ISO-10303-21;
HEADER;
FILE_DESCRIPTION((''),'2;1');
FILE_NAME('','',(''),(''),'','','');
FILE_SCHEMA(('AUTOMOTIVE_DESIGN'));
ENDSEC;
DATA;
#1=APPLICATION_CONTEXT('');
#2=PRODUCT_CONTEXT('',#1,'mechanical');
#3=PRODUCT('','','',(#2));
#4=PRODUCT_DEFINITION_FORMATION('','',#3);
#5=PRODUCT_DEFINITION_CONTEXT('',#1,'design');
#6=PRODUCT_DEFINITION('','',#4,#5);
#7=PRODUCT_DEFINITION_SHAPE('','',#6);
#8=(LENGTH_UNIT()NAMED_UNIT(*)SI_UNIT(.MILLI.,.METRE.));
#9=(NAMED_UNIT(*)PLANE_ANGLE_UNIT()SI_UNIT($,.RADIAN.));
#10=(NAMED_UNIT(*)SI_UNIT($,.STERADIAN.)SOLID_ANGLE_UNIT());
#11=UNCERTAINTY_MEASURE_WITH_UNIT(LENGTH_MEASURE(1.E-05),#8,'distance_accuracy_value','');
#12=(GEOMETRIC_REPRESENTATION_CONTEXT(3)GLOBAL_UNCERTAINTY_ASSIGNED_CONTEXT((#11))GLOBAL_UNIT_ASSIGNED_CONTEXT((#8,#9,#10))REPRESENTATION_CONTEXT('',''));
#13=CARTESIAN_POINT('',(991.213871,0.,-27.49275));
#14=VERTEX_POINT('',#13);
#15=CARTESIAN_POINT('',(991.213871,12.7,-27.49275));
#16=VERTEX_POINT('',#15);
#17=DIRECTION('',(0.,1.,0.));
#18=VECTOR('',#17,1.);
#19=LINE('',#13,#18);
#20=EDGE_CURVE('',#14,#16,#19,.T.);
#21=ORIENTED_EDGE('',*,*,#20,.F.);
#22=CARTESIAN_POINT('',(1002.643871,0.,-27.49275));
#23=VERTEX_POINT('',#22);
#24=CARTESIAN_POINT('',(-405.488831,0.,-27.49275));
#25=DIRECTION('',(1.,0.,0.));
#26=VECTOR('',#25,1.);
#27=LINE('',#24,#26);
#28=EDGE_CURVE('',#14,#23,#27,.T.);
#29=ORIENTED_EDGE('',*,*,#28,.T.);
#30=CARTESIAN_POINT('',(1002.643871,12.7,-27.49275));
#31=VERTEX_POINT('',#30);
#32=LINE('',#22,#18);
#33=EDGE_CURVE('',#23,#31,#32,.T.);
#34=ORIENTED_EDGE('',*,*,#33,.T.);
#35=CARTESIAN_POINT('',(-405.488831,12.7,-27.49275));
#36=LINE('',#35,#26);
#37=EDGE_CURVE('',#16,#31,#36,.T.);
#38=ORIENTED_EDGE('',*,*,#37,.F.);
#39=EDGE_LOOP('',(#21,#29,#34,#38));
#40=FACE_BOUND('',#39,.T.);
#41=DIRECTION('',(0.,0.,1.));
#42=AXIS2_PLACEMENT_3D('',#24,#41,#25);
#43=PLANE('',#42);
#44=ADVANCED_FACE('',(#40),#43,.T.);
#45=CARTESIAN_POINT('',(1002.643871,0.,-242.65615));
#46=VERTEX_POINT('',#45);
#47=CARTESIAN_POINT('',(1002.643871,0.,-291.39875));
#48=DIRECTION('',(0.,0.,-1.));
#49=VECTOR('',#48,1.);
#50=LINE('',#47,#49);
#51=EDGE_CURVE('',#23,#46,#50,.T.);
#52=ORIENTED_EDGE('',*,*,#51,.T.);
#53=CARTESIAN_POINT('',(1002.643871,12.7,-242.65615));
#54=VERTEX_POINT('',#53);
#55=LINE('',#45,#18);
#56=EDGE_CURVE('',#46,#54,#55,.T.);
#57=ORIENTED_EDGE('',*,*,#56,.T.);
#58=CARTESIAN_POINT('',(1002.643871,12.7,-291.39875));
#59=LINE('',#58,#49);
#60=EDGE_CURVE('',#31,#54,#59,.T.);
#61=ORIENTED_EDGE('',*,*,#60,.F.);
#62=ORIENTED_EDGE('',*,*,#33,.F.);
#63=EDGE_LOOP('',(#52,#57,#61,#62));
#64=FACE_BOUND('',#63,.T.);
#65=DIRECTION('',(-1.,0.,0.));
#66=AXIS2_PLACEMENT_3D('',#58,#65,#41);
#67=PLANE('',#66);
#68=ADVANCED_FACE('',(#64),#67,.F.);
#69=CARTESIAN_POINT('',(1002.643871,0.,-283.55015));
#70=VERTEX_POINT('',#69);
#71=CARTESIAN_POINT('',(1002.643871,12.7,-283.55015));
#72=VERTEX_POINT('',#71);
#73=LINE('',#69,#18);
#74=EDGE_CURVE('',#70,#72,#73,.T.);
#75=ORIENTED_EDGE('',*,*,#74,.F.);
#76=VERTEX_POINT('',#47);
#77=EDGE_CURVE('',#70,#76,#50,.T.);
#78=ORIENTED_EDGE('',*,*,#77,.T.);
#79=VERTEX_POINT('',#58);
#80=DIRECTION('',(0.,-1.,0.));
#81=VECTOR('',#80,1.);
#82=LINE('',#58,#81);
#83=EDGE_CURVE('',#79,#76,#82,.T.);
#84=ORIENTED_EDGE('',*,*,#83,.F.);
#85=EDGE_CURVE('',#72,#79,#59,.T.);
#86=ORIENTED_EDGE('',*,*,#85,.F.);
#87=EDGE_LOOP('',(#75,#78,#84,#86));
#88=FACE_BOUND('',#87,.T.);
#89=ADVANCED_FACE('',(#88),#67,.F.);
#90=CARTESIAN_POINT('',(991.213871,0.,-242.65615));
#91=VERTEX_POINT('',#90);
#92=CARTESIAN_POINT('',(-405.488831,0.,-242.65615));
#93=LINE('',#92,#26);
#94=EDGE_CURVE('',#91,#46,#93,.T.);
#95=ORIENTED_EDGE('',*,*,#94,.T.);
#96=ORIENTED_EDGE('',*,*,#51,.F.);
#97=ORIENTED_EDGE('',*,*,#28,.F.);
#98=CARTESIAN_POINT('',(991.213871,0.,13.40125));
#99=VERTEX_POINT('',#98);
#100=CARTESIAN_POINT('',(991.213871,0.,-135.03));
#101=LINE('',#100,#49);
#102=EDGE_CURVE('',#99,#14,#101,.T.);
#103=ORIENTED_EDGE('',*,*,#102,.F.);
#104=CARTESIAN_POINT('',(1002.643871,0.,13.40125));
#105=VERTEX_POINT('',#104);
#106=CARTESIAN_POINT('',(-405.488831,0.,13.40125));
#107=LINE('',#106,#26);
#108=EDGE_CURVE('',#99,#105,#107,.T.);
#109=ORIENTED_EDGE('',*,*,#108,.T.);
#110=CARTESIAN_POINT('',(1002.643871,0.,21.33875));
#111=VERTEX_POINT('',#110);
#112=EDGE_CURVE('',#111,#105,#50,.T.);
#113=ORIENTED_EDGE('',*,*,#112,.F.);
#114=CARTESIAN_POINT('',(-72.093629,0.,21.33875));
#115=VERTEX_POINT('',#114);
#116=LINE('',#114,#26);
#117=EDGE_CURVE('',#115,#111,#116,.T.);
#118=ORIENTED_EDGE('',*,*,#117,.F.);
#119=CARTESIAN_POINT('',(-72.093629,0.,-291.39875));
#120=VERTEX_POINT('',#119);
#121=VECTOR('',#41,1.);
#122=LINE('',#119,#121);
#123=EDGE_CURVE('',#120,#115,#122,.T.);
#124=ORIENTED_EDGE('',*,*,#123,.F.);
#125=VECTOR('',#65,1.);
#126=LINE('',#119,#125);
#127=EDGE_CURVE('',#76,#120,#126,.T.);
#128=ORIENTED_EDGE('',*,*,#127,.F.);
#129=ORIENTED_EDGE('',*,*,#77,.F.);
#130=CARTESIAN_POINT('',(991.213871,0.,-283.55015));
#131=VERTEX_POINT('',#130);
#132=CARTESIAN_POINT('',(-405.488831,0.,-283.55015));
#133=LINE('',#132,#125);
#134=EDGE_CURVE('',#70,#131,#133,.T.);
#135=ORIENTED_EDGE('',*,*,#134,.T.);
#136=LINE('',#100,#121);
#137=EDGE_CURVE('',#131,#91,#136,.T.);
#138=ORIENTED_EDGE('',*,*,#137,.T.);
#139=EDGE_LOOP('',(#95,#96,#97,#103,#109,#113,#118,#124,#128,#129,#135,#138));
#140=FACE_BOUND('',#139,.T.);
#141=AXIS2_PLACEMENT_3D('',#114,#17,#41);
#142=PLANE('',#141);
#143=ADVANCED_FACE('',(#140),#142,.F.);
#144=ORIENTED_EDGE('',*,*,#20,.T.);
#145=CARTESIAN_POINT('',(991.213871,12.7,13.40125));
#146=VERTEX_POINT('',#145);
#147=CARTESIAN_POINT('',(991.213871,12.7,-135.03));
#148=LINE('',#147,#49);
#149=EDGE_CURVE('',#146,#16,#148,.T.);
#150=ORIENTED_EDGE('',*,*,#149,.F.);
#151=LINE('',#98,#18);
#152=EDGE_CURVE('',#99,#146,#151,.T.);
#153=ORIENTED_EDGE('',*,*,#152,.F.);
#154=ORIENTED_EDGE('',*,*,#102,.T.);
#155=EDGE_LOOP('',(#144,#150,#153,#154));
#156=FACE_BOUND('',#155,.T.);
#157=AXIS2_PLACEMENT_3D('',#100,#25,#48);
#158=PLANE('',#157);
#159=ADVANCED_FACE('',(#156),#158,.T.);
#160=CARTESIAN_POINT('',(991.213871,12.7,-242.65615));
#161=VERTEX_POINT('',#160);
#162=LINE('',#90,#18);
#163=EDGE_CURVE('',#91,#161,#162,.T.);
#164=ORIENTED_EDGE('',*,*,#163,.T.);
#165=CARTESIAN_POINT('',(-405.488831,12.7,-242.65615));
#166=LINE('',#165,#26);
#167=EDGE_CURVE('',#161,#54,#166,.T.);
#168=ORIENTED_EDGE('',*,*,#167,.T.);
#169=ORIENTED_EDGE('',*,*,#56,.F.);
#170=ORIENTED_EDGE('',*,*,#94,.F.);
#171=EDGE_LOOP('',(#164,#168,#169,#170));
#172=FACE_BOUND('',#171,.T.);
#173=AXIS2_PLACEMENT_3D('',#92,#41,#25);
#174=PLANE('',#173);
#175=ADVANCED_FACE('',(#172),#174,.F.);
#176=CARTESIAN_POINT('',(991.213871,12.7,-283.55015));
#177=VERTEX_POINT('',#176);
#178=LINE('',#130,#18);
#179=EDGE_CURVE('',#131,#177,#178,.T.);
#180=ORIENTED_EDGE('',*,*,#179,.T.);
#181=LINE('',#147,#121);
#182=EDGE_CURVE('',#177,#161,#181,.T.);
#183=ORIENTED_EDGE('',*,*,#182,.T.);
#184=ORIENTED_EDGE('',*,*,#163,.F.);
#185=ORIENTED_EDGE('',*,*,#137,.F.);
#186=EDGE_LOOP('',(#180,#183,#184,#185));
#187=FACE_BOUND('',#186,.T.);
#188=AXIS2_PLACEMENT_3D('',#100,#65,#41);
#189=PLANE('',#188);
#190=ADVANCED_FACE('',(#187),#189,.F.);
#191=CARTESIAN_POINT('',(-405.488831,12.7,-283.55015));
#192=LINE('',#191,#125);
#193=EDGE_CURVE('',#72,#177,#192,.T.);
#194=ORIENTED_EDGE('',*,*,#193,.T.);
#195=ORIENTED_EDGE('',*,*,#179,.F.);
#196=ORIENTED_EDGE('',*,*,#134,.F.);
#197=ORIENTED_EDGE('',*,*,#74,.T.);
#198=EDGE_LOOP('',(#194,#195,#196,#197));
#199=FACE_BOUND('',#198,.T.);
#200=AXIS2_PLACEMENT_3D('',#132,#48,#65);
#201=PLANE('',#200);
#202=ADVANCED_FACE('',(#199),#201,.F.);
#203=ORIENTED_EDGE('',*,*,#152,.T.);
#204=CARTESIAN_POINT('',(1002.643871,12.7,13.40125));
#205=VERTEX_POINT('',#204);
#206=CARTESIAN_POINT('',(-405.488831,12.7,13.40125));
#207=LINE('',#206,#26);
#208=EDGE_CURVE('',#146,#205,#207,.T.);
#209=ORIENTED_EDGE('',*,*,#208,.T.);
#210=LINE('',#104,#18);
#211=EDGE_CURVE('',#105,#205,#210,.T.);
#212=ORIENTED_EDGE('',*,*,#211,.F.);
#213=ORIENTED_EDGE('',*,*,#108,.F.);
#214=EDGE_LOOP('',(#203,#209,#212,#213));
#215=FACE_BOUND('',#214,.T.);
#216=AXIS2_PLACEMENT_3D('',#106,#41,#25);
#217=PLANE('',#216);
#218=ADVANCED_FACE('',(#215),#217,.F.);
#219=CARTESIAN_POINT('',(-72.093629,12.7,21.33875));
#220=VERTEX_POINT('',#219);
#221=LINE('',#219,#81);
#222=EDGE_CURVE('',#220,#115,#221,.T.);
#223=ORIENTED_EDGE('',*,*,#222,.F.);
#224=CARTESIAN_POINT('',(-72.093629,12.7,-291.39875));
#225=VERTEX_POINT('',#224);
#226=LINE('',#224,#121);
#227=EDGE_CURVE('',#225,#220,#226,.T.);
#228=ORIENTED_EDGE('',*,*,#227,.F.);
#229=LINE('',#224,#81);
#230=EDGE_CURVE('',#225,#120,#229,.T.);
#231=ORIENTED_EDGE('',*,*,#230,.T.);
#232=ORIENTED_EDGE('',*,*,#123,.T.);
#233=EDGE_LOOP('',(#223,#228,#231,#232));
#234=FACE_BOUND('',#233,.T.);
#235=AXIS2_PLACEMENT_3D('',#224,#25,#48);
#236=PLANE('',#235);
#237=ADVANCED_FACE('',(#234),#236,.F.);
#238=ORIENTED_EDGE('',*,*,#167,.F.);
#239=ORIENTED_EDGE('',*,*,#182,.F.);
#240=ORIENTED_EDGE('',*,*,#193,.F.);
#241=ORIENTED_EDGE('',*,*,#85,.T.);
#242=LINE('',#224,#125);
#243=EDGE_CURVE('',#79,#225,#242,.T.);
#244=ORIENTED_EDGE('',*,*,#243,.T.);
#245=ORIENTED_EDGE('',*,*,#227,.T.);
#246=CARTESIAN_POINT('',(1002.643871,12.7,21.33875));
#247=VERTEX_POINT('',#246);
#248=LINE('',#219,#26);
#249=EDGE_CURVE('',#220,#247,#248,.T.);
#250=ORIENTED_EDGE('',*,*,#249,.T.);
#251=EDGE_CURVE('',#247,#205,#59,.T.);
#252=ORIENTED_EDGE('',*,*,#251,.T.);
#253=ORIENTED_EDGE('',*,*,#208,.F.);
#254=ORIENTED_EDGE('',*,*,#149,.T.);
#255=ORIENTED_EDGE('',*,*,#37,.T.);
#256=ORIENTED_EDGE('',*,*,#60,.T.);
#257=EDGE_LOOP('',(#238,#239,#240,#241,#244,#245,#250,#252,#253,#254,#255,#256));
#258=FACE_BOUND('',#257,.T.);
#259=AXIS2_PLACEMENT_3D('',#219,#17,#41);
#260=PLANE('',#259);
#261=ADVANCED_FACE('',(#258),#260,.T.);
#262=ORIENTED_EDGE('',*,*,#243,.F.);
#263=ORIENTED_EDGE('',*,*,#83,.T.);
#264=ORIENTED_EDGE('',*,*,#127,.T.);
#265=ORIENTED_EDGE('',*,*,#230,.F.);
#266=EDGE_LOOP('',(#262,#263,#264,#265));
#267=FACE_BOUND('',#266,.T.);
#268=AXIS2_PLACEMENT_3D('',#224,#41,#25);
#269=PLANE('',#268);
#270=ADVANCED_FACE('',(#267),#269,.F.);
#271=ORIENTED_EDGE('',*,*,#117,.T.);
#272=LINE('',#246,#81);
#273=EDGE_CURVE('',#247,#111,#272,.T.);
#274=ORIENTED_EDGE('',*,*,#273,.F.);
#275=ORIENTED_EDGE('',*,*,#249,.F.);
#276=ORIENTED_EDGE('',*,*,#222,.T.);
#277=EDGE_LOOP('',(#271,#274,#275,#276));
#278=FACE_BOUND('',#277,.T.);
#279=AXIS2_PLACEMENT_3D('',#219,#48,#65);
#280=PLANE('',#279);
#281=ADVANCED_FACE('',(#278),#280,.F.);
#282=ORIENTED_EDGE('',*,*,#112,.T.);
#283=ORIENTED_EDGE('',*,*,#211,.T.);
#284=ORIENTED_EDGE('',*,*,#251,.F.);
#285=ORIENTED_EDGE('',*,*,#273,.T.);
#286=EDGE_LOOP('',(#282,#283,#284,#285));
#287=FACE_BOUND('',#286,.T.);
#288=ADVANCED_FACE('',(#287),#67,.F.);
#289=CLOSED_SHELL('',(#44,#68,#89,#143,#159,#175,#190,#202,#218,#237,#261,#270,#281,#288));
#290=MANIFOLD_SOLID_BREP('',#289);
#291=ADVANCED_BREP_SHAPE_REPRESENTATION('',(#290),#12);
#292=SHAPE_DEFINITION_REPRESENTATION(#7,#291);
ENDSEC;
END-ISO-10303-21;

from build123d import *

# Parameters (mm, degrees)
SKETCH1_W           = 1074.7375
SKETCH1_H           = 312.7375
BOSS_EXTRUDE1_DEPTH = 12.7
SKETCH2_W           = 11.43
SKETCH2_H           = 40.894
CUT_EXTRUDE2_DEPTH  = 1045.207476152


with BuildPart() as part:
    # Sketch1 → Boss-Extrude1 (new body)
    with BuildSketch(Plane(origin=(0, 0, 0), x_dir=(1, 0, 0), z_dir=(0, 1, 0))):
        with Locations((465.275120786, 135.030000216)):
            Rectangle(SKETCH1_W, SKETCH1_H)
    extrude(amount=BOSS_EXTRUDE1_DEPTH)

    # Sketch2 → Cut-Extrude2 (cut, through all)
    with BuildSketch(Plane(origin=(0, 12.7, 0), x_dir=(1, 0, 0), z_dir=(0, 1, 0))):
        Polygon((1002.643870786, 283.550150216), (991.213870786, 283.550150216), (991.213870786, 242.656150216), (1002.643870786, 242.656150216), (1002.643870786, 253.768650216), align=None)
        with Locations((996.928870786, 7.045750216)):
            Rectangle(SKETCH2_W, SKETCH2_H)
    extrude(amount=-CUT_EXTRUDE2_DEPTH, mode=Mode.SUBTRACT)


solid = part.part
